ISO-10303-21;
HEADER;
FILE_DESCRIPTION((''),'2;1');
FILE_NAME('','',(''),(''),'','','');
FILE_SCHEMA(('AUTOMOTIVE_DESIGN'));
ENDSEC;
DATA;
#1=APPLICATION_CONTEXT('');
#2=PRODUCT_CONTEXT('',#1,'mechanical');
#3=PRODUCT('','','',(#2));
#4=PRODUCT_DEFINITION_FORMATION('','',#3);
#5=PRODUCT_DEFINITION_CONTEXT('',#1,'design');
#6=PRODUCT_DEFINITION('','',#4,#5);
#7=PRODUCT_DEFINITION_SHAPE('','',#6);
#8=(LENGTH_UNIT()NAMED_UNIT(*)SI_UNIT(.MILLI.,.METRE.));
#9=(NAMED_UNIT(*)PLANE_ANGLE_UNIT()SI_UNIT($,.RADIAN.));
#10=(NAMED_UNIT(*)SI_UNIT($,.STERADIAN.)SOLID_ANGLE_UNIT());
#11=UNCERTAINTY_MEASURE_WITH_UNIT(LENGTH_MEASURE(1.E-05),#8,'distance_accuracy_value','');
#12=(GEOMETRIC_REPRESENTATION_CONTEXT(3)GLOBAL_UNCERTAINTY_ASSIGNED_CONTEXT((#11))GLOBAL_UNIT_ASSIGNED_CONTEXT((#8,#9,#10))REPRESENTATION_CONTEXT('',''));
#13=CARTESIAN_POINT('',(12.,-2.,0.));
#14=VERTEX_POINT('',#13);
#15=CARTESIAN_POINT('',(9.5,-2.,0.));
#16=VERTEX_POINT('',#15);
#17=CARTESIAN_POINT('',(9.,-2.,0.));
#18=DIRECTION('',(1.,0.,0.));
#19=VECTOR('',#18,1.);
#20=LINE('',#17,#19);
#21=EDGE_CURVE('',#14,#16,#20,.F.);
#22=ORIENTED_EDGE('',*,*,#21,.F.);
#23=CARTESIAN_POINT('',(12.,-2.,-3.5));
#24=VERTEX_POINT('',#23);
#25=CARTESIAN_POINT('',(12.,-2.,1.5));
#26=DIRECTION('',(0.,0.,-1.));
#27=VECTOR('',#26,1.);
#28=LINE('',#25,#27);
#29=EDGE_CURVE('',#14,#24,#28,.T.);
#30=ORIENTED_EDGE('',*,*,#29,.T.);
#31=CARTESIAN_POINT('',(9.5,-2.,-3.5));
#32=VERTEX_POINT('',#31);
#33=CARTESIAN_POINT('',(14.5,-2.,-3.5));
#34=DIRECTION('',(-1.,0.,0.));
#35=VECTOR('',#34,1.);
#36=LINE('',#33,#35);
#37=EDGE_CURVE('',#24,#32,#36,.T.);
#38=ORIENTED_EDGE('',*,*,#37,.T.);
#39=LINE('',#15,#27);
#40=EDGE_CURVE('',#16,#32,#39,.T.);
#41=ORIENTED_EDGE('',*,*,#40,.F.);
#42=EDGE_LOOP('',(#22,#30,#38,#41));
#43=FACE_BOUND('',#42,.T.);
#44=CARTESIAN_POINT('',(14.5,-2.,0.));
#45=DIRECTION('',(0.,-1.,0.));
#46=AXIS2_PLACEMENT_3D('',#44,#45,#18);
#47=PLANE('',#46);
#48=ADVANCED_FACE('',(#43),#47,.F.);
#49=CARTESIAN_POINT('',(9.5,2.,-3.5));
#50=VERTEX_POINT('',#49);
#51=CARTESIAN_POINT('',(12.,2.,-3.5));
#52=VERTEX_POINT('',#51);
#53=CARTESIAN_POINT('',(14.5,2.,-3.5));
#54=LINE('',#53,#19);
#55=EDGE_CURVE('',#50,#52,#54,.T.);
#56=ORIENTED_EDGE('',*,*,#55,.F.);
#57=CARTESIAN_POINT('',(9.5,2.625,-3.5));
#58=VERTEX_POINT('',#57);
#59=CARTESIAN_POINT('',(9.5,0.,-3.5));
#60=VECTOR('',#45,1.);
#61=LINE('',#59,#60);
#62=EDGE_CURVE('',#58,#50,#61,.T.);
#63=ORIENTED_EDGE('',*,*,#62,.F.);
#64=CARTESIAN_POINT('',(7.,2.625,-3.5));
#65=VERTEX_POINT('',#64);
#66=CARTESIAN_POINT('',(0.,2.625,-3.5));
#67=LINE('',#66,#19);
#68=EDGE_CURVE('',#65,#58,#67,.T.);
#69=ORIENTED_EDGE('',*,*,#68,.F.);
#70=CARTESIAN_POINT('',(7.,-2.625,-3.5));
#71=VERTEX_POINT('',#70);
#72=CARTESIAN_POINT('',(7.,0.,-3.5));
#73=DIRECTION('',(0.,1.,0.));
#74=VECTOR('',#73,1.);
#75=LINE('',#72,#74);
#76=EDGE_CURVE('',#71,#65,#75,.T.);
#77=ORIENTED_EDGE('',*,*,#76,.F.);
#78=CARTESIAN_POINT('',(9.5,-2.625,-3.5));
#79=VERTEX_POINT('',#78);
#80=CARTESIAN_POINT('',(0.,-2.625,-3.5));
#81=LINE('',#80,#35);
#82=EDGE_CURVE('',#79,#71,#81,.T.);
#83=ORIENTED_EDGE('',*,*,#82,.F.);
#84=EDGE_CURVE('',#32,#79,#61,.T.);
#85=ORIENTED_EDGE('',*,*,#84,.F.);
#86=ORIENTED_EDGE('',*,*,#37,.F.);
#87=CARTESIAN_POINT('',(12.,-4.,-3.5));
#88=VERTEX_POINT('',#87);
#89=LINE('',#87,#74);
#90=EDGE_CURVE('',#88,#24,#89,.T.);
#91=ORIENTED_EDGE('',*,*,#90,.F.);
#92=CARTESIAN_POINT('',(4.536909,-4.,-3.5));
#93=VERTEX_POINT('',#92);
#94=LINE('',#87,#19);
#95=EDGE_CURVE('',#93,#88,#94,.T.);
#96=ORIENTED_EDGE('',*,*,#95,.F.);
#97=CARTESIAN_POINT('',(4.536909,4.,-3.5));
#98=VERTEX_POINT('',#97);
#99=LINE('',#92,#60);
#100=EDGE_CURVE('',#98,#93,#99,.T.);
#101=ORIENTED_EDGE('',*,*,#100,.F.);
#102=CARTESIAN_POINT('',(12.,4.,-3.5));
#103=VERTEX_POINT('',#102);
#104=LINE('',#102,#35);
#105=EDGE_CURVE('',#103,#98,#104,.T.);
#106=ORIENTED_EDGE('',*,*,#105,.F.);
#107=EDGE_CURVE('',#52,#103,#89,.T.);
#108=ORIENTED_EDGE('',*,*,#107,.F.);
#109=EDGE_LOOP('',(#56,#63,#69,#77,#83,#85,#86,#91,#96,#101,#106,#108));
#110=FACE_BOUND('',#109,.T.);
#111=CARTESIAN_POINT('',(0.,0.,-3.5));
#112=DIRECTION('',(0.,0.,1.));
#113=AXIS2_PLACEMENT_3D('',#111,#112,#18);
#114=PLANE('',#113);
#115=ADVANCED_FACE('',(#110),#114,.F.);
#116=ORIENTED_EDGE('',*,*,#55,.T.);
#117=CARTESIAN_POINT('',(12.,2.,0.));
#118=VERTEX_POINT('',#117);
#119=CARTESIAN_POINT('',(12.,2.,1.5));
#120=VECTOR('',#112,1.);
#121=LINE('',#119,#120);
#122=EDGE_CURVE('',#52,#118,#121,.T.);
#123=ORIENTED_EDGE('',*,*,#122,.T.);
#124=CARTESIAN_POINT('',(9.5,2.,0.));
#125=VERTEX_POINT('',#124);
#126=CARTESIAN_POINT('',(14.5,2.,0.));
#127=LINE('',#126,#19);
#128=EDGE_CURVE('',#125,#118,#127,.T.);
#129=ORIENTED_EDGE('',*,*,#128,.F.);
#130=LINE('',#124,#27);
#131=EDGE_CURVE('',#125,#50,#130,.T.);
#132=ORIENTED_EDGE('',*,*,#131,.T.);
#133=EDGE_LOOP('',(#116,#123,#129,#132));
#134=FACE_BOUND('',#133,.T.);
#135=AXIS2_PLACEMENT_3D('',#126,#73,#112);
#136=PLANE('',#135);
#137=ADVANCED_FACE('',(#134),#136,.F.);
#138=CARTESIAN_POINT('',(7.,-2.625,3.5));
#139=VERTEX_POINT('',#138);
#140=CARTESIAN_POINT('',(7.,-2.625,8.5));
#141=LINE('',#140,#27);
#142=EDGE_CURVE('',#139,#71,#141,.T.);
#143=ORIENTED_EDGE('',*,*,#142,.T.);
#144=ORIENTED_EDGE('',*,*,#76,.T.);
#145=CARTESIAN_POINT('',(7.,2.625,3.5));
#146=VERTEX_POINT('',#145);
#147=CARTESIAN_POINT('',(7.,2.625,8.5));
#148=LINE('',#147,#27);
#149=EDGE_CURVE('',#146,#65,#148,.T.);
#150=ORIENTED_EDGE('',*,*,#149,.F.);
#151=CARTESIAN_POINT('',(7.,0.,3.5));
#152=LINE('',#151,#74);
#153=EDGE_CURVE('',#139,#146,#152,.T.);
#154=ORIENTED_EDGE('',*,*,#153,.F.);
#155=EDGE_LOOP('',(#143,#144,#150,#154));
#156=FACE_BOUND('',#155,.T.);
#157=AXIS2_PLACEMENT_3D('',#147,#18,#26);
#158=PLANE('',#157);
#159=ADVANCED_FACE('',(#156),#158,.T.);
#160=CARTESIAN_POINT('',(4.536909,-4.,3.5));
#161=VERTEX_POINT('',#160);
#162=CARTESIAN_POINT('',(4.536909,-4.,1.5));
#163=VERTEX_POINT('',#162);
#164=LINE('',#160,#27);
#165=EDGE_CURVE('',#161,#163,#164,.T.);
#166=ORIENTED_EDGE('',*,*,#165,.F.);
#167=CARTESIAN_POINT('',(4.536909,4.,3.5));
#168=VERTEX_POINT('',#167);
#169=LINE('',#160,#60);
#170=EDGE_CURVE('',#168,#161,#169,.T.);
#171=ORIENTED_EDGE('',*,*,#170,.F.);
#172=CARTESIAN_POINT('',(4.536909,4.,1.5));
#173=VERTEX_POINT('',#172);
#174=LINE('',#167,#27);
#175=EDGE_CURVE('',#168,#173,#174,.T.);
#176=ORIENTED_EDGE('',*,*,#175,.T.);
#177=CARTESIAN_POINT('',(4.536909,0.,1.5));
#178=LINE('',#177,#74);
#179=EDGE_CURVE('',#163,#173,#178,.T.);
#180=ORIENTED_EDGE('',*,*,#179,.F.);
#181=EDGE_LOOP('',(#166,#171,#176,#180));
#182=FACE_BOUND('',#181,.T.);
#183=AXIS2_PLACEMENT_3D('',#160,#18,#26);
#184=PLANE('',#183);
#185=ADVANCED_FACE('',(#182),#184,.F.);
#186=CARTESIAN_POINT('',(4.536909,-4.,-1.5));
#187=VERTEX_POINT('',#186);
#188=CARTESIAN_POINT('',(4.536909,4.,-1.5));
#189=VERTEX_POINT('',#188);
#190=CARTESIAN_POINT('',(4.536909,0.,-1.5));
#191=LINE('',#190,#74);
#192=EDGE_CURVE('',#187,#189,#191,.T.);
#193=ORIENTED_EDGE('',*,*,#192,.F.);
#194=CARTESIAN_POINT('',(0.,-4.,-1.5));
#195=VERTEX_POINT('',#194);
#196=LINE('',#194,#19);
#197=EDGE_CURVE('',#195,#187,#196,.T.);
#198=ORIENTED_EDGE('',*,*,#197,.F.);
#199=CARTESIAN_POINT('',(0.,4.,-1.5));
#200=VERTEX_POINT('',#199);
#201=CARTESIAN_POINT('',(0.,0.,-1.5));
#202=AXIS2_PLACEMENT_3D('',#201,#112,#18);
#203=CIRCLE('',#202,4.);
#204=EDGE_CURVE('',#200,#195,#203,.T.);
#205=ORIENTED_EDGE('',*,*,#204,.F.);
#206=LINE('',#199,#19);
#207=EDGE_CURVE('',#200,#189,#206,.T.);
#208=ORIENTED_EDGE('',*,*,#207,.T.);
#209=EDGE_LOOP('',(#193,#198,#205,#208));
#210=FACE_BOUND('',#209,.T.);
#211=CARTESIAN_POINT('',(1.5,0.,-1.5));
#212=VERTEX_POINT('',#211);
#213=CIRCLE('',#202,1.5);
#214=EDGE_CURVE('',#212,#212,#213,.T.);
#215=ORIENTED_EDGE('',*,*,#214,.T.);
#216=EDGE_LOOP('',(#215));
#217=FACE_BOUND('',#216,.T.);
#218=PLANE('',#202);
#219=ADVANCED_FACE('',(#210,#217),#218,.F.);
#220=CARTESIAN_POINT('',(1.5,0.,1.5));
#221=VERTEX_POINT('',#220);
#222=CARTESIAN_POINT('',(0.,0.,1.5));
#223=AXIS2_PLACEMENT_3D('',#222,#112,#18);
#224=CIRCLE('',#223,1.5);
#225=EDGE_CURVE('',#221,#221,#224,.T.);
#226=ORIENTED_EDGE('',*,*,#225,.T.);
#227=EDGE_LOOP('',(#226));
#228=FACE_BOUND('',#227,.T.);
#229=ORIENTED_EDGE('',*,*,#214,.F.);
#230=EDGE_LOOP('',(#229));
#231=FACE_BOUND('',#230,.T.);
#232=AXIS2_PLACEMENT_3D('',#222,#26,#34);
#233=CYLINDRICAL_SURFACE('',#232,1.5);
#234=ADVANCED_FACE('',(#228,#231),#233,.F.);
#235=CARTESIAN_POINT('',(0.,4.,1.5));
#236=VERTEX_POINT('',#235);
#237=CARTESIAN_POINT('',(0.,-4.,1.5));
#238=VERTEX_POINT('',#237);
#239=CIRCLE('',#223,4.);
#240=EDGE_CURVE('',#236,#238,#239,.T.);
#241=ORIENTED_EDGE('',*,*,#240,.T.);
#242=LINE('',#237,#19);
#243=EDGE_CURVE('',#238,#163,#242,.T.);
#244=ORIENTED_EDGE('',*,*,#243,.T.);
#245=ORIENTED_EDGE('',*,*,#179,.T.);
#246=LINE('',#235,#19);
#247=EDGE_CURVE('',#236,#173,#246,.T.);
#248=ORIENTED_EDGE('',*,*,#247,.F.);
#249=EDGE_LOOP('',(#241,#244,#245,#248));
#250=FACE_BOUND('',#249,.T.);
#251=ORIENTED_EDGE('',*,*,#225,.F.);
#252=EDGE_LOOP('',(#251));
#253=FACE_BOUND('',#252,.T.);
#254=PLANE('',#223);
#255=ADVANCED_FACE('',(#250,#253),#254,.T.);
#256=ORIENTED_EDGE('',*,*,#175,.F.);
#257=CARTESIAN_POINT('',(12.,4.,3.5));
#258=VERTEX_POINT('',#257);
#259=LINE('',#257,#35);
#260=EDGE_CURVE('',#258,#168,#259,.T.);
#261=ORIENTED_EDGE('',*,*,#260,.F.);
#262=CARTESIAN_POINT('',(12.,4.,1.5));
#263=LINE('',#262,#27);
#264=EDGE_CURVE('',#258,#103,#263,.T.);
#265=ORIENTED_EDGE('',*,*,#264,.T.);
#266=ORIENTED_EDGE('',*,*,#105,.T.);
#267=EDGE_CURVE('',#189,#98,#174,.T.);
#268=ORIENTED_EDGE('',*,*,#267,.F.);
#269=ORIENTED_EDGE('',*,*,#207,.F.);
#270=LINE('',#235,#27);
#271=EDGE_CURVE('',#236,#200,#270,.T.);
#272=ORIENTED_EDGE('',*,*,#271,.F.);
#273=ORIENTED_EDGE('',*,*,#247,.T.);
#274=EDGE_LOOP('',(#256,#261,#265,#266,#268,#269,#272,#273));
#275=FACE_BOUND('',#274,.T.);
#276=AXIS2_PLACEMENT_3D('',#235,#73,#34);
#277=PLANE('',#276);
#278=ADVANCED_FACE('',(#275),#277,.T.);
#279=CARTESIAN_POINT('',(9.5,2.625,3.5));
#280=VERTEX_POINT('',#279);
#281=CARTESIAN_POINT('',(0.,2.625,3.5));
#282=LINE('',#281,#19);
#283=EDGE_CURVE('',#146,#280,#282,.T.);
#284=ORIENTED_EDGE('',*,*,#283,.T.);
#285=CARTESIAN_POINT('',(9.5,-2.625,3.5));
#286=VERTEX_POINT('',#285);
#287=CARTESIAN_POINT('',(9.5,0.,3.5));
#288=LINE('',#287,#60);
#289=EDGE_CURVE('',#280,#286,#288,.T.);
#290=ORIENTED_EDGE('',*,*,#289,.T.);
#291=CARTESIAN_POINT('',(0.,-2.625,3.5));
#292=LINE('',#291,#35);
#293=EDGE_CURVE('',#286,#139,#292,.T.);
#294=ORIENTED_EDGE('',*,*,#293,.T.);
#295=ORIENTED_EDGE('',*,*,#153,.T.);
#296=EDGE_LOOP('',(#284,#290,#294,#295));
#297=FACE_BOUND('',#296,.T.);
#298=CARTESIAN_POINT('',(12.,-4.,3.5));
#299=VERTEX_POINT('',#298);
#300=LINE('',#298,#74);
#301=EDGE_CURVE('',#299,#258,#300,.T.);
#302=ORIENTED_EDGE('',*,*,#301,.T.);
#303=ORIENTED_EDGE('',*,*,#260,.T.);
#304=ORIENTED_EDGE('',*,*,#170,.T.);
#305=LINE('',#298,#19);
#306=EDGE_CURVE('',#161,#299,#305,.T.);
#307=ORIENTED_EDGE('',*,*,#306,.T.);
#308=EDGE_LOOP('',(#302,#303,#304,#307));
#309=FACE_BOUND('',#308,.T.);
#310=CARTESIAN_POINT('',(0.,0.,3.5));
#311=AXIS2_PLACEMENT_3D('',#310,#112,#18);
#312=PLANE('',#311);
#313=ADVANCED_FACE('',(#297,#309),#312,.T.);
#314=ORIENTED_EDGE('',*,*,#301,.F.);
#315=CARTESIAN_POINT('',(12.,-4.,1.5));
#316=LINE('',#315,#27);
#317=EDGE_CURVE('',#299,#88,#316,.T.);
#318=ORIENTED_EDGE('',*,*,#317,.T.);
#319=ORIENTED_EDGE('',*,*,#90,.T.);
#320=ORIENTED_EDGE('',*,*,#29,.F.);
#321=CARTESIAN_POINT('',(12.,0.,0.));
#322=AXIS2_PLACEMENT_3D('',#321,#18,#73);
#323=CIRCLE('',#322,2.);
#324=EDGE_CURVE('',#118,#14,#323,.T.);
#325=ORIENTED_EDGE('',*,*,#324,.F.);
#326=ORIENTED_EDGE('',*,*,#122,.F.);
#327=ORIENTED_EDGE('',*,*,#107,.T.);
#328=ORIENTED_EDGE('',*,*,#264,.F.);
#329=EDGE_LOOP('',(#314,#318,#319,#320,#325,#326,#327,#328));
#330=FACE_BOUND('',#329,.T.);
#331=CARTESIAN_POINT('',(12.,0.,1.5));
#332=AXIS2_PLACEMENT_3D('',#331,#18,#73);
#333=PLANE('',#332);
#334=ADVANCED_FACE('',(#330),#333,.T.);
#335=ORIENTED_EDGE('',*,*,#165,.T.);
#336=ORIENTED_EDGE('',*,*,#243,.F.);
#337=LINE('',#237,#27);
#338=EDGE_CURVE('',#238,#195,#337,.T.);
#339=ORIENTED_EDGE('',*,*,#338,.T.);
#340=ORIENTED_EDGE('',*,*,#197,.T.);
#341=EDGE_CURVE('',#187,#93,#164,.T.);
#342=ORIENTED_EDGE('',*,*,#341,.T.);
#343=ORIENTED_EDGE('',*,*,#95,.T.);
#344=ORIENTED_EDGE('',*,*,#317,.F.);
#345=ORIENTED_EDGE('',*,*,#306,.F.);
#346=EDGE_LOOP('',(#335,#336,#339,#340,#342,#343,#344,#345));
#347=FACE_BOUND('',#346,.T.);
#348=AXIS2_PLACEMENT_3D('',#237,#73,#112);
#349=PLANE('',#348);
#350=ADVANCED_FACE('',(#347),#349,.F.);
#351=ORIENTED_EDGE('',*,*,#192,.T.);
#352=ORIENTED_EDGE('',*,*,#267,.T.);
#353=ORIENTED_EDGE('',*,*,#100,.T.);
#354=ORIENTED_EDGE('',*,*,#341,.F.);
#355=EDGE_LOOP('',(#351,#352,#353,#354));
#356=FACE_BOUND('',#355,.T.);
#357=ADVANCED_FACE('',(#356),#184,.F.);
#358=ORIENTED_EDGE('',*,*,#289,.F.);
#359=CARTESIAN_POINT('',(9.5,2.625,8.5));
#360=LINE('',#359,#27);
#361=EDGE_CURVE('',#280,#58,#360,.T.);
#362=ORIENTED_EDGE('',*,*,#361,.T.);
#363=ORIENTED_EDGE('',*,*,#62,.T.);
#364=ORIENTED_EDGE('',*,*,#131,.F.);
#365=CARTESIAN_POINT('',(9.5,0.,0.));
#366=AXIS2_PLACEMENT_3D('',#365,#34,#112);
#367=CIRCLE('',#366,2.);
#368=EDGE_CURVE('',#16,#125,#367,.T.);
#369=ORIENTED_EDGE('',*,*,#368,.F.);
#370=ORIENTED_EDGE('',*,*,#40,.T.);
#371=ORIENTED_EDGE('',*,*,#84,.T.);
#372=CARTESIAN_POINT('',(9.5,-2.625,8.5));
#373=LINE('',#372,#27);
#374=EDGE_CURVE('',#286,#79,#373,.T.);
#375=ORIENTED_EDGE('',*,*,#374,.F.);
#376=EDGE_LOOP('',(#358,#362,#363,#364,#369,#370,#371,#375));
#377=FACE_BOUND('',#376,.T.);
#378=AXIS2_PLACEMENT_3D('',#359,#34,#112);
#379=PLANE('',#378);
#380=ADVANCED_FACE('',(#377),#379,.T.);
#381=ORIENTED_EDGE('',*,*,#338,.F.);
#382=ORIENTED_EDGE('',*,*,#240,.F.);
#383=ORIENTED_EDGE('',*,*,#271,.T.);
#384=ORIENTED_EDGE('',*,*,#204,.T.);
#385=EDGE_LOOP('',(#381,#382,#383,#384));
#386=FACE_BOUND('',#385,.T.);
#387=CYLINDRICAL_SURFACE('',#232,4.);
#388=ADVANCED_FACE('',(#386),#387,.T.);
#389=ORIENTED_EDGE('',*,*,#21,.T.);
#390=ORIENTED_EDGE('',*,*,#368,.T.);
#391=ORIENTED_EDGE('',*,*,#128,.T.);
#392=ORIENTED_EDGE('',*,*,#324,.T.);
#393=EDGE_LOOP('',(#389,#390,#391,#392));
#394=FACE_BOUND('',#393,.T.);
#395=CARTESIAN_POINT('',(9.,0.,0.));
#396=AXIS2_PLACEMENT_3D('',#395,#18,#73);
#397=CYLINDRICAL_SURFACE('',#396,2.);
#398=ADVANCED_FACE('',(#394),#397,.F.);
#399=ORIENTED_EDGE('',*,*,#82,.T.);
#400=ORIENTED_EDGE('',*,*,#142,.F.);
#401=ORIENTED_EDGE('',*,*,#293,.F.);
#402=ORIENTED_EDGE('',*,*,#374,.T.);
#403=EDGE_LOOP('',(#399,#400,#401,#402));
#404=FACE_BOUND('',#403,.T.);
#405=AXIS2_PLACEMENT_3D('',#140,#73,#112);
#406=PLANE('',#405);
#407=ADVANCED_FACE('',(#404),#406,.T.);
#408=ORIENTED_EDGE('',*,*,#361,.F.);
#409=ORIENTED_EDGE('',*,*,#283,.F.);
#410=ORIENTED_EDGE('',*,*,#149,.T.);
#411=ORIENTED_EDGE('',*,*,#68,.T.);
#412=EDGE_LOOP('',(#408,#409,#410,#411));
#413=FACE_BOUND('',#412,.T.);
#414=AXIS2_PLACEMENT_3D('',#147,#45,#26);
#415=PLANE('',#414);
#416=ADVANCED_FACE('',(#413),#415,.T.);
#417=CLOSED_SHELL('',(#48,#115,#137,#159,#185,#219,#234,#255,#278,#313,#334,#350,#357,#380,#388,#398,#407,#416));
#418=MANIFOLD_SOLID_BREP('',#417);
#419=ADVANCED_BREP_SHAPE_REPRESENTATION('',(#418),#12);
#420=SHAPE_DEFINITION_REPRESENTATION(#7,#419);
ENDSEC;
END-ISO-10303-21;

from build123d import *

# Parameters (mm, degrees)
SKETCH1_R               = 1.5
BOSS_EXTRUDE1_DEPTH     = 1.5
SKETCH5_W               = 7.463090523
SKETCH5_H               = 8
BOSS_EXTRUDE2_DEPTH     = 3.5
CUT_EXTRUDE1_DEPTH      = 7
CUT_EXTRUDE1_DEPTH_BACK = 6
SKETCH2_W               = 2.5
SKETCH2_H               = 5.25
SKETCH3_R               = 2
CUT_EXTRUDE2_DEPTH      = 3
SKETCH6_W               = 5
SKETCH6_H               = 4
CUT_EXTRUDE3_DEPTH      = 3.5


with BuildPart() as part:
    # Sketch1 → Boss-Extrude1 (new, symmetric)
    with BuildSketch(Plane.XY):
        with BuildLine():
            Line((12, 4), (0, 4))
            ThreePointArc((0, 4), (-4, 0), (0, -4))
            Line((0, -4), (12, -4))
            Line((12, -4), (12, 4))
        make_face()
        Circle(SKETCH1_R, mode=Mode.SUBTRACT)
    extrude(amount=BOSS_EXTRUDE1_DEPTH, both=True)

    # Sketch5 → Boss-Extrude2 (add, symmetric)
    with BuildSketch(Plane.XY):
        with Locations((8.268454739, 0)):
            Rectangle(SKETCH5_W, SKETCH5_H)
    extrude(amount=BOSS_EXTRUDE2_DEPTH, both=True)

    # Sketch2 → Cut-Extrude1 (cut, two sides: drawn at the far end of the back side and taken through both)
    with BuildSketch(Plane.XY.offset(1.5).offset(-CUT_EXTRUDE1_DEPTH_BACK)):
        with Locations((8.25, 0)):
            Rectangle(SKETCH2_W, SKETCH2_H)
    extrude(amount=CUT_EXTRUDE1_DEPTH + CUT_EXTRUDE1_DEPTH_BACK, mode=Mode.SUBTRACT)

    # Sketch3 → Cut-Extrude2 (cut)
    with BuildSketch(Plane(origin=(12, 0, 0), x_dir=(0, 0, -1), z_dir=(1, 0, 0))):
        with Locations(Location((0, 0, 0), (0, 0, 90))):
            Circle(SKETCH3_R)
    extrude(amount=-CUT_EXTRUDE2_DEPTH, mode=Mode.SUBTRACT)

    # Sketch6 → Cut-Extrude3 (cut)
    with BuildSketch(Plane(origin=(0, 0, -3.5), x_dir=(-1, 0, 0), z_dir=(0, 0, -1))):
        with Locations((-12, 0)):
            Rectangle(SKETCH6_W, SKETCH6_H)
    extrude(amount=-CUT_EXTRUDE3_DEPTH, mode=Mode.SUBTRACT)


solid = part.part
